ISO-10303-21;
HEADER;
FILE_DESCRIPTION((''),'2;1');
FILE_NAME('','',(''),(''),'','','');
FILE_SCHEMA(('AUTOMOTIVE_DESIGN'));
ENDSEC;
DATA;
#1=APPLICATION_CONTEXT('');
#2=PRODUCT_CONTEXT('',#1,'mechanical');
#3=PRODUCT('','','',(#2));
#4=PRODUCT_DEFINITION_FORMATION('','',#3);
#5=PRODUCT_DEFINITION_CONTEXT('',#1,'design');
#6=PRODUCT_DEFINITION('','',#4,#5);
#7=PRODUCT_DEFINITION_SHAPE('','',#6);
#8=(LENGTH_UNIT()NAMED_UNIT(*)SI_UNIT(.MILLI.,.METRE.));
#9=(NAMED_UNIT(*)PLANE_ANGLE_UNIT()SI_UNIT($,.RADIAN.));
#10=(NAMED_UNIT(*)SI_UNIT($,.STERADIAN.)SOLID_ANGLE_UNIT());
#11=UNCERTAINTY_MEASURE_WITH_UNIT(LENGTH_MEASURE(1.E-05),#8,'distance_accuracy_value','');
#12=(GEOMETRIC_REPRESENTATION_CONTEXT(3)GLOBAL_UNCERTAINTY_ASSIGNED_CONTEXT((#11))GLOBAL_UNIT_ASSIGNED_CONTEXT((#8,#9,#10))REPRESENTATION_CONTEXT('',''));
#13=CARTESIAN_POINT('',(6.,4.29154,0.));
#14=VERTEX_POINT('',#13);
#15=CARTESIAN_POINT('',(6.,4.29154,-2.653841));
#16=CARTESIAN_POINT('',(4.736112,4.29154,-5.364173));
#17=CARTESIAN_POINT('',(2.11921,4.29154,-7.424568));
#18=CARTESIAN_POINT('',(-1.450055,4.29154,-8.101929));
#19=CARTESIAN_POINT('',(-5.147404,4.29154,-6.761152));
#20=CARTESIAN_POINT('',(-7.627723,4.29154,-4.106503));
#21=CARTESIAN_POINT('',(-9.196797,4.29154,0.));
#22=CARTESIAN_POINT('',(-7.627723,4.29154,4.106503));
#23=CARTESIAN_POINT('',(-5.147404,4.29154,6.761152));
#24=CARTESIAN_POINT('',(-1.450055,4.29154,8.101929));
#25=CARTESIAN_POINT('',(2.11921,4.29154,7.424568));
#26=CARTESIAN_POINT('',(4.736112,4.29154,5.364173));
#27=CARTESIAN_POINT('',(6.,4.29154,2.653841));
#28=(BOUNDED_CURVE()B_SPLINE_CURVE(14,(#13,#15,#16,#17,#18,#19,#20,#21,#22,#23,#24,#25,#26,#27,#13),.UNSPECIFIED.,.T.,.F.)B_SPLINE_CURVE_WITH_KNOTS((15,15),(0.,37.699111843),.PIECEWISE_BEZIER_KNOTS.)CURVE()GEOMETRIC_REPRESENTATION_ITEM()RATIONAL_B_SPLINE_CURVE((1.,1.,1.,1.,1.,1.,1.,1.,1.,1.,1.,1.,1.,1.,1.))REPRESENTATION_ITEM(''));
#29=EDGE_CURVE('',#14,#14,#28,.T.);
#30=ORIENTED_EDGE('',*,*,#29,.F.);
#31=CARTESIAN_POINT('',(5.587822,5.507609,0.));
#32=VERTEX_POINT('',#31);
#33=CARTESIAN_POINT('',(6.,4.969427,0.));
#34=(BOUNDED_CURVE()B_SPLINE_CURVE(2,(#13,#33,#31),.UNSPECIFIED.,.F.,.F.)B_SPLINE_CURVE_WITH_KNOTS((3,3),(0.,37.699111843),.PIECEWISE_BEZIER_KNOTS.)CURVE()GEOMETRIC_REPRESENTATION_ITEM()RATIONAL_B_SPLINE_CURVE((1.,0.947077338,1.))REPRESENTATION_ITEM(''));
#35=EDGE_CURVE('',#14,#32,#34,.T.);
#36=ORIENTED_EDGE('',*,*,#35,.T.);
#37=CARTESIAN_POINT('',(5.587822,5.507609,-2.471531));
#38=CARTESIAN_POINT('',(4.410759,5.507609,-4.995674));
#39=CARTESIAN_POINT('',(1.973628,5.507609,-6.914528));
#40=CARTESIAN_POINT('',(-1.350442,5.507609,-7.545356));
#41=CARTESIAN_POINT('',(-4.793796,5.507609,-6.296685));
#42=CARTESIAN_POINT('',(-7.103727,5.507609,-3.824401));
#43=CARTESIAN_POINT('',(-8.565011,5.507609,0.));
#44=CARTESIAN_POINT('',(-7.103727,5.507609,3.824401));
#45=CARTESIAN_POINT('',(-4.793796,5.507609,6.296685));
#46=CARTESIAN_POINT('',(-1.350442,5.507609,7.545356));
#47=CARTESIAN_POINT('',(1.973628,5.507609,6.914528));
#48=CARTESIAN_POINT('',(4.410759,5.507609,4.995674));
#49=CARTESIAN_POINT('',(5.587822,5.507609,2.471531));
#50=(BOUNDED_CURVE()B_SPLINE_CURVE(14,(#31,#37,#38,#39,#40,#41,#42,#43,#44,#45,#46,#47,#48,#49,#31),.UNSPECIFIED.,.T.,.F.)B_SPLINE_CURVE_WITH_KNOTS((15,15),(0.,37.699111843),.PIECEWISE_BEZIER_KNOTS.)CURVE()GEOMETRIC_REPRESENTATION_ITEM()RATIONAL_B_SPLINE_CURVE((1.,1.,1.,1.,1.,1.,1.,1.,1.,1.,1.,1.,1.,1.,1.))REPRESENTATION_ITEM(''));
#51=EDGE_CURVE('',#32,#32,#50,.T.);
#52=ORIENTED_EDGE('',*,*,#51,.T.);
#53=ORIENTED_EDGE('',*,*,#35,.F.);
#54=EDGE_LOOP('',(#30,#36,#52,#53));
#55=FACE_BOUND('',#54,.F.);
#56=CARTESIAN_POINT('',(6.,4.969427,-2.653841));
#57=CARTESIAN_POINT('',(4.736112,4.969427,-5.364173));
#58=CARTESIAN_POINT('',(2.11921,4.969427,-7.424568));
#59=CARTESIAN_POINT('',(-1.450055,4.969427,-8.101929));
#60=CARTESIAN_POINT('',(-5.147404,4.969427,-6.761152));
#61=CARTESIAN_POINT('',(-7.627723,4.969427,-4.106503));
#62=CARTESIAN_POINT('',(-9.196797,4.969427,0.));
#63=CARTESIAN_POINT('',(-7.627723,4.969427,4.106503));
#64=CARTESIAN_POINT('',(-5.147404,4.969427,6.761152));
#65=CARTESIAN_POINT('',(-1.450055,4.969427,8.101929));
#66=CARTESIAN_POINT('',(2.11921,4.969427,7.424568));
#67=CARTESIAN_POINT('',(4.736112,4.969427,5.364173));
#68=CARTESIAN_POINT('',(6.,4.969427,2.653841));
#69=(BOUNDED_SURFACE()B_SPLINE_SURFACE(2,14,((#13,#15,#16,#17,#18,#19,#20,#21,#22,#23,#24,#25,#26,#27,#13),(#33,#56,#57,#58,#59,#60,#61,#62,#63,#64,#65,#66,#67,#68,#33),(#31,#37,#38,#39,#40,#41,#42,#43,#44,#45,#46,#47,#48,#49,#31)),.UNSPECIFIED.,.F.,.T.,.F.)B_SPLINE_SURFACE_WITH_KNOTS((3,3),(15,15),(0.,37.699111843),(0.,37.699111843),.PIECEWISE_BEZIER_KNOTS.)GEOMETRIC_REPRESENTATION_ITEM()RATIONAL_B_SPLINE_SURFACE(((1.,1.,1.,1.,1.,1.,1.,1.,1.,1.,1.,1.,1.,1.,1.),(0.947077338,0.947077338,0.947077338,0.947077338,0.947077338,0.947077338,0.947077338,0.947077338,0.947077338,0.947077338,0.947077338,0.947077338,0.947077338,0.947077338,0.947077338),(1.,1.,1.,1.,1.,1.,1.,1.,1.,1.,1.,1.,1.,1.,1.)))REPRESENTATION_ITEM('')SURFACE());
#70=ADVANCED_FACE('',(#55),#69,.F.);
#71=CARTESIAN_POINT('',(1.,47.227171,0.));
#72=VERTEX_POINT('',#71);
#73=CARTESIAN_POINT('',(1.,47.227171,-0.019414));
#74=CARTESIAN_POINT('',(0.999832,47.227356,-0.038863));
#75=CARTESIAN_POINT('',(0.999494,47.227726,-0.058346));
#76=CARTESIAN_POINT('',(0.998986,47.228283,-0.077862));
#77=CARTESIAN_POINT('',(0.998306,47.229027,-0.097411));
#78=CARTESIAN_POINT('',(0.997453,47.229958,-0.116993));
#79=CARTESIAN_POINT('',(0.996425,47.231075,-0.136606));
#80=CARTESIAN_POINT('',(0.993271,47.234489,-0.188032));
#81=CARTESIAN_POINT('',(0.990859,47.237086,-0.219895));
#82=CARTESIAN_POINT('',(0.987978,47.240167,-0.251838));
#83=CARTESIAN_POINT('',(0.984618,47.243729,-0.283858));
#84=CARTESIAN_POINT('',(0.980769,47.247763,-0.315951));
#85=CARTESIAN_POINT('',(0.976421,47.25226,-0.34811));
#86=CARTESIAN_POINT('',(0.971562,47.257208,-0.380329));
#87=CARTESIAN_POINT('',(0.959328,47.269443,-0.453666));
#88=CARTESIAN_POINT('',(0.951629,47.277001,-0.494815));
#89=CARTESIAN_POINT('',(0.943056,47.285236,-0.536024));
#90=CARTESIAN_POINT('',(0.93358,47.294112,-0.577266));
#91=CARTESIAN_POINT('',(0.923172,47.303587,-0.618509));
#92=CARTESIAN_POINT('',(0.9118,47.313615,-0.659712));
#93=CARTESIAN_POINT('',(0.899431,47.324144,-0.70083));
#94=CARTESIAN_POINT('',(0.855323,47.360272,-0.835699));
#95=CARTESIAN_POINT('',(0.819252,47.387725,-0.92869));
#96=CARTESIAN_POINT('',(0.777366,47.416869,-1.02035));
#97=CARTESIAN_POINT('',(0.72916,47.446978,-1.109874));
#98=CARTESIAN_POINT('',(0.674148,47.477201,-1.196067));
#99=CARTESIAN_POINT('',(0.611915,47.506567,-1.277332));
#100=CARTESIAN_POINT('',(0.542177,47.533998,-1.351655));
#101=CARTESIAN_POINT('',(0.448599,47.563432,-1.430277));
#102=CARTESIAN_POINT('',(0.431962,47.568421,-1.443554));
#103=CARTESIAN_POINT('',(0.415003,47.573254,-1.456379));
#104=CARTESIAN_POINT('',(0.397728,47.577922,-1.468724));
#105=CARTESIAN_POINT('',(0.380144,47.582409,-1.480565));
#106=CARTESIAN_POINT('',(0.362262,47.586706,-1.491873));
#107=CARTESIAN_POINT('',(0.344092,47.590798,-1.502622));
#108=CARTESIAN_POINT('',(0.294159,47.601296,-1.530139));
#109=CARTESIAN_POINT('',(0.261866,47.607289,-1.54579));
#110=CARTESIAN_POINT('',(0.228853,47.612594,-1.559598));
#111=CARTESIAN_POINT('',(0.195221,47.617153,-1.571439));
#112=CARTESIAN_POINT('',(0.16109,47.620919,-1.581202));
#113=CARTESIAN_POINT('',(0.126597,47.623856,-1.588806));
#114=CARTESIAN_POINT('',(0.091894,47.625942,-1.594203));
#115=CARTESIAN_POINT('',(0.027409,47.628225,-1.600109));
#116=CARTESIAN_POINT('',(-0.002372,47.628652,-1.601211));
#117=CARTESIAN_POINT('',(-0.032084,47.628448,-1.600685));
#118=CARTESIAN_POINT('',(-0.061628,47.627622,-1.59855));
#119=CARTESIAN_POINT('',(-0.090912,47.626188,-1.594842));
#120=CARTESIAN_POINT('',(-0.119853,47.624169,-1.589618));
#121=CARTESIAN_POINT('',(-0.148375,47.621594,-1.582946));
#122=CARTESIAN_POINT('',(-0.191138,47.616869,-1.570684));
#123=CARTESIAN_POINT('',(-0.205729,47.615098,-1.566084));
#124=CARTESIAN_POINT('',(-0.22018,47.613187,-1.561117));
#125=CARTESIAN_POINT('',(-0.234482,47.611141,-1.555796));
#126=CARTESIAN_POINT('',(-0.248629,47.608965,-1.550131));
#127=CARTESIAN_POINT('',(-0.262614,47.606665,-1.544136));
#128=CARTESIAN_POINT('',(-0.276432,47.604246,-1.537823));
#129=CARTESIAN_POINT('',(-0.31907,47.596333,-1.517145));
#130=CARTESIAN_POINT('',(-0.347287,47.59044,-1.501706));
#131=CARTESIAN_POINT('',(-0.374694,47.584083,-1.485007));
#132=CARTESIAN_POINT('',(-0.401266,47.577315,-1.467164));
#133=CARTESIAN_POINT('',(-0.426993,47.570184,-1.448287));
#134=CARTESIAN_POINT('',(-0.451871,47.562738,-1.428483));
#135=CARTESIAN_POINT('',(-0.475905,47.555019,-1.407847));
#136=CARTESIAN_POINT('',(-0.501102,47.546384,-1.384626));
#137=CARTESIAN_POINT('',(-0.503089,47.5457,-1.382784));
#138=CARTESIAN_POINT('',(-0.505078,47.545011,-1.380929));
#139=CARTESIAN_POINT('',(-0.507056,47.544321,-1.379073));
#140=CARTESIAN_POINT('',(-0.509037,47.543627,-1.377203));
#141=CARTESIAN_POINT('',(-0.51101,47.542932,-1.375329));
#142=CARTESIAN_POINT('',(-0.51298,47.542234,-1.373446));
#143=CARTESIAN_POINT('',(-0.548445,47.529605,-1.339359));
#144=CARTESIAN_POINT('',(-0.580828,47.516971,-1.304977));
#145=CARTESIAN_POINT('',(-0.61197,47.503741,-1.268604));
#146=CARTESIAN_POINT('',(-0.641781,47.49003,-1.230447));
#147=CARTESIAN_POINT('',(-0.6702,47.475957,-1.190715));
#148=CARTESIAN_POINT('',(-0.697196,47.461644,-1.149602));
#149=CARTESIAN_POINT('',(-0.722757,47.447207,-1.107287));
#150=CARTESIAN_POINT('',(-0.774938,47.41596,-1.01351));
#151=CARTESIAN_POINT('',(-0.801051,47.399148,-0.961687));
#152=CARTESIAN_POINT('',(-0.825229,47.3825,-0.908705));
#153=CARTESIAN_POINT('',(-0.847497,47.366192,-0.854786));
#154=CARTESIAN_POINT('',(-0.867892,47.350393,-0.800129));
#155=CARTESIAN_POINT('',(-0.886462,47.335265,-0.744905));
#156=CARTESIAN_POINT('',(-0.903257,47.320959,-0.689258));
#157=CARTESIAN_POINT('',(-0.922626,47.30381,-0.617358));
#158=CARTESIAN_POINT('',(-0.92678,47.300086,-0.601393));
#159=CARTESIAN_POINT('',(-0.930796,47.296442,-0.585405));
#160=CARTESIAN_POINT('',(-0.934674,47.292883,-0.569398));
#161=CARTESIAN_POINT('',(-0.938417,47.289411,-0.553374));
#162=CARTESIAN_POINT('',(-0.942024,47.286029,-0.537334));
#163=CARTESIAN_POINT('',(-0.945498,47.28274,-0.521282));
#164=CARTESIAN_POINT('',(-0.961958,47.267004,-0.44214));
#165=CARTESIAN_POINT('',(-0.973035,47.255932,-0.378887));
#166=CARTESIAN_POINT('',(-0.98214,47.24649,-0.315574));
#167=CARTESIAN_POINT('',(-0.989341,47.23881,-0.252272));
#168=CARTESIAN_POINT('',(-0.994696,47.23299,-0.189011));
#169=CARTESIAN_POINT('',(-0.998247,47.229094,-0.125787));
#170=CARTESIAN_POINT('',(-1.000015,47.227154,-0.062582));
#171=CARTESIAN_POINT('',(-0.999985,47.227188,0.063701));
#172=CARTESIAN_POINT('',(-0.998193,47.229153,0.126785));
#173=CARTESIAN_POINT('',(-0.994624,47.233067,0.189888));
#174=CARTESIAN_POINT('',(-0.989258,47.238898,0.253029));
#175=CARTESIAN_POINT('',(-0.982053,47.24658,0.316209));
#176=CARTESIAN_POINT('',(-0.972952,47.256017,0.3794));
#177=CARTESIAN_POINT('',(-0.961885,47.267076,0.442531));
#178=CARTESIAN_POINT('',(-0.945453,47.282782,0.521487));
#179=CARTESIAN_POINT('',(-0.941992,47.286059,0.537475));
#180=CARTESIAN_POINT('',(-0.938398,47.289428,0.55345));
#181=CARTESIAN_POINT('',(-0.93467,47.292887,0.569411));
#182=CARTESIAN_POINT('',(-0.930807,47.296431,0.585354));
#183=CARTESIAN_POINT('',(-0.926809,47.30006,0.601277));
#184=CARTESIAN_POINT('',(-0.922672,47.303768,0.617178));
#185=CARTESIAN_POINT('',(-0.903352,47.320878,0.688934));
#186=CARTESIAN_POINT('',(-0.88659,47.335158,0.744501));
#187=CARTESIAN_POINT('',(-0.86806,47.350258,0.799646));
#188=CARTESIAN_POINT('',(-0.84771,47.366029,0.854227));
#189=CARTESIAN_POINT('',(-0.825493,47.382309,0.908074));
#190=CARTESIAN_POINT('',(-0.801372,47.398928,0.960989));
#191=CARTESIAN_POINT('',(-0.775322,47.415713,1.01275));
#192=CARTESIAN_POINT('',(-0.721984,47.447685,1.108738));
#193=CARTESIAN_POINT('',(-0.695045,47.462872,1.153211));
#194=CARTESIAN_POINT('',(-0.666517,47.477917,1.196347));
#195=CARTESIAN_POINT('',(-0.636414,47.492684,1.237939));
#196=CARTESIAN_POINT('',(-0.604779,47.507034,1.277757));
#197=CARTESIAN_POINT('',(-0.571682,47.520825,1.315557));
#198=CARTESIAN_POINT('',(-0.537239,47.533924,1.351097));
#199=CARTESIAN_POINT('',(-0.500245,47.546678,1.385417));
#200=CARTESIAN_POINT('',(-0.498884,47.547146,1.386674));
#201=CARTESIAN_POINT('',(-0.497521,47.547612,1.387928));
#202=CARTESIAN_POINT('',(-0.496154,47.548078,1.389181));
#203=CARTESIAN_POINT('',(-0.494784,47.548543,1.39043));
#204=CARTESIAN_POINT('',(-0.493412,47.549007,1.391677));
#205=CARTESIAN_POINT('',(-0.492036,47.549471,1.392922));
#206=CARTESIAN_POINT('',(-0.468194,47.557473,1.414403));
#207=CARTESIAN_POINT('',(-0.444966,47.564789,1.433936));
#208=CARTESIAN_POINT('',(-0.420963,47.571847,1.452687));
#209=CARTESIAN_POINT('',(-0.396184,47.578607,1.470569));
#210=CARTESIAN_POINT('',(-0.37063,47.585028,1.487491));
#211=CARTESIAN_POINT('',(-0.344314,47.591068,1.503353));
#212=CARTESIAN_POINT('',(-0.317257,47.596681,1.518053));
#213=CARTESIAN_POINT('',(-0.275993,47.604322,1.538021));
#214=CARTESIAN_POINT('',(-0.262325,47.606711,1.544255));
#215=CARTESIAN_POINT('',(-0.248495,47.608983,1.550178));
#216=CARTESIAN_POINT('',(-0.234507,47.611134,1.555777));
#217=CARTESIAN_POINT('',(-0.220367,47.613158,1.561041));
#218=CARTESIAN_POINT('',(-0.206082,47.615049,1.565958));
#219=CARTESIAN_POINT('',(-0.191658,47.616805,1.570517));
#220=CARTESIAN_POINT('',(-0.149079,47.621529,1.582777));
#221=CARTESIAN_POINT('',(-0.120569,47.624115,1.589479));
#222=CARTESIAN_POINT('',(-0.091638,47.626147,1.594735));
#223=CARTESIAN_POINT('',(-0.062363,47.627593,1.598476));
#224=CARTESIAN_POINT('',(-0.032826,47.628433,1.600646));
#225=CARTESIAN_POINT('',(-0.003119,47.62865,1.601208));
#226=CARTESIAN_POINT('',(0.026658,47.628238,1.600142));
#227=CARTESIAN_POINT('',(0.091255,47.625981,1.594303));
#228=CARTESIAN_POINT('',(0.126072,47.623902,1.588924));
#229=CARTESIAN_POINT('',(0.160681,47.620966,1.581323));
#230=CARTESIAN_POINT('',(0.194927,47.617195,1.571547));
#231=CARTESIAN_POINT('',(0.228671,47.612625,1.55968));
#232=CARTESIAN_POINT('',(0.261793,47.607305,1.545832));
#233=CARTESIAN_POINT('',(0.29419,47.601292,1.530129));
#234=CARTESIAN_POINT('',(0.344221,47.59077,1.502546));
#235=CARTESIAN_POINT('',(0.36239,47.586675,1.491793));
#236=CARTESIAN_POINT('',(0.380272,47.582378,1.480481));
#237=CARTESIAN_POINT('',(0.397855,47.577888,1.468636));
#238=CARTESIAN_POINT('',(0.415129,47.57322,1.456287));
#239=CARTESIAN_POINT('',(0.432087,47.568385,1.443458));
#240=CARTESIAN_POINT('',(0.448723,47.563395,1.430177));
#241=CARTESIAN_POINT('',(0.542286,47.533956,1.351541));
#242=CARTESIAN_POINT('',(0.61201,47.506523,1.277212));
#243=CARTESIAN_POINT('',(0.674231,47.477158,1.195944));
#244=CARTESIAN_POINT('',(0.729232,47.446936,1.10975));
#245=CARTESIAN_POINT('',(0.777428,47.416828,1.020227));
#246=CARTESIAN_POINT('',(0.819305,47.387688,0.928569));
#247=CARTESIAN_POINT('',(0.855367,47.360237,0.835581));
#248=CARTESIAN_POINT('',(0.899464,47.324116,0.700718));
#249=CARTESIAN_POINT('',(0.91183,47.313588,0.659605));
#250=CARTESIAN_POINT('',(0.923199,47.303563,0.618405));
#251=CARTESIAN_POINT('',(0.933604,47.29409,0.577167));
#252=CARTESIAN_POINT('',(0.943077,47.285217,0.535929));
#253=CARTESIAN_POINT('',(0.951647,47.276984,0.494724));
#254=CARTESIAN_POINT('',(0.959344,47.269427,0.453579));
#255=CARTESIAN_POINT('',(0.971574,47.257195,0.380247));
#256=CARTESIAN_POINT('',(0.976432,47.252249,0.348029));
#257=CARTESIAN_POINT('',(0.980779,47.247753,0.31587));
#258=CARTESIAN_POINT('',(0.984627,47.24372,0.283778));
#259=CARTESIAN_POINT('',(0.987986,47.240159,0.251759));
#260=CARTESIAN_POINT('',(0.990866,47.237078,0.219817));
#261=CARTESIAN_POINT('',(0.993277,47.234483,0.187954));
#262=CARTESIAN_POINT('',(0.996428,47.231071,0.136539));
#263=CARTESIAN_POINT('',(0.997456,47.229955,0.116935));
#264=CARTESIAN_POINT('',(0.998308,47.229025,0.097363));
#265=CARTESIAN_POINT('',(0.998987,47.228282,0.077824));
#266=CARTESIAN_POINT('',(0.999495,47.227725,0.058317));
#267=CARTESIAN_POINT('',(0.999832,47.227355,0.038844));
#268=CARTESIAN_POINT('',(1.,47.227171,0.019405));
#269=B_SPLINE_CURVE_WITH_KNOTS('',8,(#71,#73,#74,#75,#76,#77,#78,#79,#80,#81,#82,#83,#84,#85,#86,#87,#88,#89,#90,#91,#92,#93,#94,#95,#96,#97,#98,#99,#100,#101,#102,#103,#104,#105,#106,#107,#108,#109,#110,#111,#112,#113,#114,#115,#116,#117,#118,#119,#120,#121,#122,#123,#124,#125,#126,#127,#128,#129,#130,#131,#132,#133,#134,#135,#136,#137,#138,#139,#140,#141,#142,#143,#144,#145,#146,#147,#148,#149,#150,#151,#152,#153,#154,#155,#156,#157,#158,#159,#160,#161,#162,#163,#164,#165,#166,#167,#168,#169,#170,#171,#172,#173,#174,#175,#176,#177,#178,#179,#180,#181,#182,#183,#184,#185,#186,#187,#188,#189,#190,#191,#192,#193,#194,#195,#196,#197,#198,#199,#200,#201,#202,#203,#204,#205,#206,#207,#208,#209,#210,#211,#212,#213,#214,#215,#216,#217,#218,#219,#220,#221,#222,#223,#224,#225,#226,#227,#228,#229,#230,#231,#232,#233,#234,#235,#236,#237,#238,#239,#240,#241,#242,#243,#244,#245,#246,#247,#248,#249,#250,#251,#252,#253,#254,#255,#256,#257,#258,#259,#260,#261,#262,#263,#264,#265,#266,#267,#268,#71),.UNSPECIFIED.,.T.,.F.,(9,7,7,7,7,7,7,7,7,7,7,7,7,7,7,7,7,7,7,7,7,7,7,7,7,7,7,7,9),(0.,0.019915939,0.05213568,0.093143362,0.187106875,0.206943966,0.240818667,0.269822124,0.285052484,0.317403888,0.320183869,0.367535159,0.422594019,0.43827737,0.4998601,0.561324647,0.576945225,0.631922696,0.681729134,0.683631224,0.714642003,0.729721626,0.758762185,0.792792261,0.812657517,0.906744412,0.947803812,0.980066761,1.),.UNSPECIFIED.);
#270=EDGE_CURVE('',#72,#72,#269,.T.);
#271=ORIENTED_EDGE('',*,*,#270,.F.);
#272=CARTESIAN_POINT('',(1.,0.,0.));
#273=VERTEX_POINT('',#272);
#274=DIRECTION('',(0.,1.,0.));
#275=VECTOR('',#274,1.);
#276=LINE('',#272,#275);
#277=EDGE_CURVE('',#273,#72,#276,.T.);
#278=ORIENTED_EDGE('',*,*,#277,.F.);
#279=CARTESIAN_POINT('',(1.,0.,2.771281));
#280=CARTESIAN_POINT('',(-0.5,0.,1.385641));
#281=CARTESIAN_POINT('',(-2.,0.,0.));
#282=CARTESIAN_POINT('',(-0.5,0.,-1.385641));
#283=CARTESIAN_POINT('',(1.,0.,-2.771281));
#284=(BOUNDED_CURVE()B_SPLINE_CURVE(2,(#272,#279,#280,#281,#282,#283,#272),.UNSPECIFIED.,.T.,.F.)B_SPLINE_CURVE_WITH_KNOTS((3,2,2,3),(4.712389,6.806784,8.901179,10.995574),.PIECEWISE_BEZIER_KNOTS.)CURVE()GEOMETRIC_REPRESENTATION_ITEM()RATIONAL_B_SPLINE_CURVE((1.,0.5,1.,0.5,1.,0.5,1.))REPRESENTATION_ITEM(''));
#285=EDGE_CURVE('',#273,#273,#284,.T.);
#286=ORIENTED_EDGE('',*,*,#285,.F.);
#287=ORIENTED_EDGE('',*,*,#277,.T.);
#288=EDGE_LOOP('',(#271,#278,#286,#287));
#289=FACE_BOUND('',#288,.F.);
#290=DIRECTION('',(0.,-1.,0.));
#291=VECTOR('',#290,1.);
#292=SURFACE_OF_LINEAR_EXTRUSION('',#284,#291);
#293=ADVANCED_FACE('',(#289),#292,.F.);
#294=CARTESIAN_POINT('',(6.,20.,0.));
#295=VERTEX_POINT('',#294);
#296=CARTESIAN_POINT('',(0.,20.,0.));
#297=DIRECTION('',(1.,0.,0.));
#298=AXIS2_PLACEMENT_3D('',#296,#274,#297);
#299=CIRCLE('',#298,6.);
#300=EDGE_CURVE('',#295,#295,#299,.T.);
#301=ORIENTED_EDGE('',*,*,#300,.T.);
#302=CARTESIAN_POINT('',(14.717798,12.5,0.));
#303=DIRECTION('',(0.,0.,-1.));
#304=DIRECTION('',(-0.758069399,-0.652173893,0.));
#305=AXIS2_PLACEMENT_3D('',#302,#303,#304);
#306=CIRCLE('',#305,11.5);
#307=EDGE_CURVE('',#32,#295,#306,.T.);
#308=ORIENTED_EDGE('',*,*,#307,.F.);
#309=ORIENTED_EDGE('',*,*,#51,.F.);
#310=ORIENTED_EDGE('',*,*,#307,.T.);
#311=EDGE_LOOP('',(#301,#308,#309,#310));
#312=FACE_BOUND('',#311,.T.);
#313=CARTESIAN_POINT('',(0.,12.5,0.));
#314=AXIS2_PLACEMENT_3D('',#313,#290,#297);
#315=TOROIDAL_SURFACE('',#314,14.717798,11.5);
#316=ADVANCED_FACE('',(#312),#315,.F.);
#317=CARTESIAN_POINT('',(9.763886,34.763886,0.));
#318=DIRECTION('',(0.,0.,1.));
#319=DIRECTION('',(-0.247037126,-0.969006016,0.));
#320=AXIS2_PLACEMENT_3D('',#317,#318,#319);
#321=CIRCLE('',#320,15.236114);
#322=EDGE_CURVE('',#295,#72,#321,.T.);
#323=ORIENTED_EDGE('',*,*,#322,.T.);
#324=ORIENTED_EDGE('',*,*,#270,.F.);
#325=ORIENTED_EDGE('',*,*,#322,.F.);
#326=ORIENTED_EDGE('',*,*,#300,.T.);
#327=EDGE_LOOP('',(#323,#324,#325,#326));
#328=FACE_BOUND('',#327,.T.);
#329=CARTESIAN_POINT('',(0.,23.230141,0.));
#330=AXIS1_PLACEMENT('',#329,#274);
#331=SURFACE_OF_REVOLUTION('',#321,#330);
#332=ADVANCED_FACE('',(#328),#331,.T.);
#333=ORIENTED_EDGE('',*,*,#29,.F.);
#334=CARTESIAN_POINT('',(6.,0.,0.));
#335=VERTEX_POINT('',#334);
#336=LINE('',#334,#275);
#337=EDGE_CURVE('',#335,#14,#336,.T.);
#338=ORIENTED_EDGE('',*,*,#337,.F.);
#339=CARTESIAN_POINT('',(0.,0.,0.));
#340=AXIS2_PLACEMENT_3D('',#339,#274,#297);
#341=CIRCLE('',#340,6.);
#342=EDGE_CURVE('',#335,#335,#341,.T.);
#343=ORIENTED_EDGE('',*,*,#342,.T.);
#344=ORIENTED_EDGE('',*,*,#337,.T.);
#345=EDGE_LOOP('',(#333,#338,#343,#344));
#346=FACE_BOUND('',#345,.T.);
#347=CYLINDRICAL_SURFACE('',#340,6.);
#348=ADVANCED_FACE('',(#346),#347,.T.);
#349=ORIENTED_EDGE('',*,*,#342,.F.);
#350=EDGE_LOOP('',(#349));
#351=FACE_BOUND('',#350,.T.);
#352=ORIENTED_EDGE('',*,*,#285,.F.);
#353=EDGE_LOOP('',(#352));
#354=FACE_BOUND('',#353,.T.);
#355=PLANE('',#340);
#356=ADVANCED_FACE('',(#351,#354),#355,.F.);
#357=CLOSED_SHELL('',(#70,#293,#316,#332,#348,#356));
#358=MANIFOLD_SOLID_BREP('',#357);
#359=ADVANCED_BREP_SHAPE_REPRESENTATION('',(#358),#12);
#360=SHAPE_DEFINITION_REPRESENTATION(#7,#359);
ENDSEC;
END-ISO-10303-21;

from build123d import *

# Parameters (mm, degrees)
F3_DEPTH = 55
F4_R     = 2


with BuildPart() as f1:
    # F0 (on Top) → F1 (revolve)
    with BuildSketch(Plane.XY):
        with BuildLine():
            Line((0, 46.460283), (0, 0))
            Line((0, 0), (6, 0))
            Line((6, 0), (6, 5))
            ThreePointArc((6, 5), (3.217798, 12.5), (6, 20))
            ThreePointArc((6, 20), (24.622782, 38.133214), (0, 46.460283))
        make_face()
    revolve(axis=Axis((0, 23.230141, 0), (0, 1, 0)))

    # F2 (on face) → F3 (cut)
    with BuildSketch(Plane.XZ):
        with BuildLine():
            add(Edge.make_bspline(
                [(1, 0), (1, 2.771281), (-0.5, 1.385641), (-2, 0), (-0.5, -1.385641), (1, -2.771281), (1, 0)],
                knots=[4.712389, 4.712389, 4.712389, 6.806784, 6.806784, 8.901179, 8.901179, 10.995574, 10.995574, 10.995574], degree=2, weights=[1, 0.5, 1, 0.5, 1, 0.5, 1]))
        make_face()
    extrude(amount=-F3_DEPTH, mode=Mode.SUBTRACT)

    # F4
    f4_edges = [f1.edges().sort_by_distance(p)[0] for p in [
        (-6, 5, 0),
    ]]
    fillet(f4_edges, radius=F4_R)


solid = f1.part
